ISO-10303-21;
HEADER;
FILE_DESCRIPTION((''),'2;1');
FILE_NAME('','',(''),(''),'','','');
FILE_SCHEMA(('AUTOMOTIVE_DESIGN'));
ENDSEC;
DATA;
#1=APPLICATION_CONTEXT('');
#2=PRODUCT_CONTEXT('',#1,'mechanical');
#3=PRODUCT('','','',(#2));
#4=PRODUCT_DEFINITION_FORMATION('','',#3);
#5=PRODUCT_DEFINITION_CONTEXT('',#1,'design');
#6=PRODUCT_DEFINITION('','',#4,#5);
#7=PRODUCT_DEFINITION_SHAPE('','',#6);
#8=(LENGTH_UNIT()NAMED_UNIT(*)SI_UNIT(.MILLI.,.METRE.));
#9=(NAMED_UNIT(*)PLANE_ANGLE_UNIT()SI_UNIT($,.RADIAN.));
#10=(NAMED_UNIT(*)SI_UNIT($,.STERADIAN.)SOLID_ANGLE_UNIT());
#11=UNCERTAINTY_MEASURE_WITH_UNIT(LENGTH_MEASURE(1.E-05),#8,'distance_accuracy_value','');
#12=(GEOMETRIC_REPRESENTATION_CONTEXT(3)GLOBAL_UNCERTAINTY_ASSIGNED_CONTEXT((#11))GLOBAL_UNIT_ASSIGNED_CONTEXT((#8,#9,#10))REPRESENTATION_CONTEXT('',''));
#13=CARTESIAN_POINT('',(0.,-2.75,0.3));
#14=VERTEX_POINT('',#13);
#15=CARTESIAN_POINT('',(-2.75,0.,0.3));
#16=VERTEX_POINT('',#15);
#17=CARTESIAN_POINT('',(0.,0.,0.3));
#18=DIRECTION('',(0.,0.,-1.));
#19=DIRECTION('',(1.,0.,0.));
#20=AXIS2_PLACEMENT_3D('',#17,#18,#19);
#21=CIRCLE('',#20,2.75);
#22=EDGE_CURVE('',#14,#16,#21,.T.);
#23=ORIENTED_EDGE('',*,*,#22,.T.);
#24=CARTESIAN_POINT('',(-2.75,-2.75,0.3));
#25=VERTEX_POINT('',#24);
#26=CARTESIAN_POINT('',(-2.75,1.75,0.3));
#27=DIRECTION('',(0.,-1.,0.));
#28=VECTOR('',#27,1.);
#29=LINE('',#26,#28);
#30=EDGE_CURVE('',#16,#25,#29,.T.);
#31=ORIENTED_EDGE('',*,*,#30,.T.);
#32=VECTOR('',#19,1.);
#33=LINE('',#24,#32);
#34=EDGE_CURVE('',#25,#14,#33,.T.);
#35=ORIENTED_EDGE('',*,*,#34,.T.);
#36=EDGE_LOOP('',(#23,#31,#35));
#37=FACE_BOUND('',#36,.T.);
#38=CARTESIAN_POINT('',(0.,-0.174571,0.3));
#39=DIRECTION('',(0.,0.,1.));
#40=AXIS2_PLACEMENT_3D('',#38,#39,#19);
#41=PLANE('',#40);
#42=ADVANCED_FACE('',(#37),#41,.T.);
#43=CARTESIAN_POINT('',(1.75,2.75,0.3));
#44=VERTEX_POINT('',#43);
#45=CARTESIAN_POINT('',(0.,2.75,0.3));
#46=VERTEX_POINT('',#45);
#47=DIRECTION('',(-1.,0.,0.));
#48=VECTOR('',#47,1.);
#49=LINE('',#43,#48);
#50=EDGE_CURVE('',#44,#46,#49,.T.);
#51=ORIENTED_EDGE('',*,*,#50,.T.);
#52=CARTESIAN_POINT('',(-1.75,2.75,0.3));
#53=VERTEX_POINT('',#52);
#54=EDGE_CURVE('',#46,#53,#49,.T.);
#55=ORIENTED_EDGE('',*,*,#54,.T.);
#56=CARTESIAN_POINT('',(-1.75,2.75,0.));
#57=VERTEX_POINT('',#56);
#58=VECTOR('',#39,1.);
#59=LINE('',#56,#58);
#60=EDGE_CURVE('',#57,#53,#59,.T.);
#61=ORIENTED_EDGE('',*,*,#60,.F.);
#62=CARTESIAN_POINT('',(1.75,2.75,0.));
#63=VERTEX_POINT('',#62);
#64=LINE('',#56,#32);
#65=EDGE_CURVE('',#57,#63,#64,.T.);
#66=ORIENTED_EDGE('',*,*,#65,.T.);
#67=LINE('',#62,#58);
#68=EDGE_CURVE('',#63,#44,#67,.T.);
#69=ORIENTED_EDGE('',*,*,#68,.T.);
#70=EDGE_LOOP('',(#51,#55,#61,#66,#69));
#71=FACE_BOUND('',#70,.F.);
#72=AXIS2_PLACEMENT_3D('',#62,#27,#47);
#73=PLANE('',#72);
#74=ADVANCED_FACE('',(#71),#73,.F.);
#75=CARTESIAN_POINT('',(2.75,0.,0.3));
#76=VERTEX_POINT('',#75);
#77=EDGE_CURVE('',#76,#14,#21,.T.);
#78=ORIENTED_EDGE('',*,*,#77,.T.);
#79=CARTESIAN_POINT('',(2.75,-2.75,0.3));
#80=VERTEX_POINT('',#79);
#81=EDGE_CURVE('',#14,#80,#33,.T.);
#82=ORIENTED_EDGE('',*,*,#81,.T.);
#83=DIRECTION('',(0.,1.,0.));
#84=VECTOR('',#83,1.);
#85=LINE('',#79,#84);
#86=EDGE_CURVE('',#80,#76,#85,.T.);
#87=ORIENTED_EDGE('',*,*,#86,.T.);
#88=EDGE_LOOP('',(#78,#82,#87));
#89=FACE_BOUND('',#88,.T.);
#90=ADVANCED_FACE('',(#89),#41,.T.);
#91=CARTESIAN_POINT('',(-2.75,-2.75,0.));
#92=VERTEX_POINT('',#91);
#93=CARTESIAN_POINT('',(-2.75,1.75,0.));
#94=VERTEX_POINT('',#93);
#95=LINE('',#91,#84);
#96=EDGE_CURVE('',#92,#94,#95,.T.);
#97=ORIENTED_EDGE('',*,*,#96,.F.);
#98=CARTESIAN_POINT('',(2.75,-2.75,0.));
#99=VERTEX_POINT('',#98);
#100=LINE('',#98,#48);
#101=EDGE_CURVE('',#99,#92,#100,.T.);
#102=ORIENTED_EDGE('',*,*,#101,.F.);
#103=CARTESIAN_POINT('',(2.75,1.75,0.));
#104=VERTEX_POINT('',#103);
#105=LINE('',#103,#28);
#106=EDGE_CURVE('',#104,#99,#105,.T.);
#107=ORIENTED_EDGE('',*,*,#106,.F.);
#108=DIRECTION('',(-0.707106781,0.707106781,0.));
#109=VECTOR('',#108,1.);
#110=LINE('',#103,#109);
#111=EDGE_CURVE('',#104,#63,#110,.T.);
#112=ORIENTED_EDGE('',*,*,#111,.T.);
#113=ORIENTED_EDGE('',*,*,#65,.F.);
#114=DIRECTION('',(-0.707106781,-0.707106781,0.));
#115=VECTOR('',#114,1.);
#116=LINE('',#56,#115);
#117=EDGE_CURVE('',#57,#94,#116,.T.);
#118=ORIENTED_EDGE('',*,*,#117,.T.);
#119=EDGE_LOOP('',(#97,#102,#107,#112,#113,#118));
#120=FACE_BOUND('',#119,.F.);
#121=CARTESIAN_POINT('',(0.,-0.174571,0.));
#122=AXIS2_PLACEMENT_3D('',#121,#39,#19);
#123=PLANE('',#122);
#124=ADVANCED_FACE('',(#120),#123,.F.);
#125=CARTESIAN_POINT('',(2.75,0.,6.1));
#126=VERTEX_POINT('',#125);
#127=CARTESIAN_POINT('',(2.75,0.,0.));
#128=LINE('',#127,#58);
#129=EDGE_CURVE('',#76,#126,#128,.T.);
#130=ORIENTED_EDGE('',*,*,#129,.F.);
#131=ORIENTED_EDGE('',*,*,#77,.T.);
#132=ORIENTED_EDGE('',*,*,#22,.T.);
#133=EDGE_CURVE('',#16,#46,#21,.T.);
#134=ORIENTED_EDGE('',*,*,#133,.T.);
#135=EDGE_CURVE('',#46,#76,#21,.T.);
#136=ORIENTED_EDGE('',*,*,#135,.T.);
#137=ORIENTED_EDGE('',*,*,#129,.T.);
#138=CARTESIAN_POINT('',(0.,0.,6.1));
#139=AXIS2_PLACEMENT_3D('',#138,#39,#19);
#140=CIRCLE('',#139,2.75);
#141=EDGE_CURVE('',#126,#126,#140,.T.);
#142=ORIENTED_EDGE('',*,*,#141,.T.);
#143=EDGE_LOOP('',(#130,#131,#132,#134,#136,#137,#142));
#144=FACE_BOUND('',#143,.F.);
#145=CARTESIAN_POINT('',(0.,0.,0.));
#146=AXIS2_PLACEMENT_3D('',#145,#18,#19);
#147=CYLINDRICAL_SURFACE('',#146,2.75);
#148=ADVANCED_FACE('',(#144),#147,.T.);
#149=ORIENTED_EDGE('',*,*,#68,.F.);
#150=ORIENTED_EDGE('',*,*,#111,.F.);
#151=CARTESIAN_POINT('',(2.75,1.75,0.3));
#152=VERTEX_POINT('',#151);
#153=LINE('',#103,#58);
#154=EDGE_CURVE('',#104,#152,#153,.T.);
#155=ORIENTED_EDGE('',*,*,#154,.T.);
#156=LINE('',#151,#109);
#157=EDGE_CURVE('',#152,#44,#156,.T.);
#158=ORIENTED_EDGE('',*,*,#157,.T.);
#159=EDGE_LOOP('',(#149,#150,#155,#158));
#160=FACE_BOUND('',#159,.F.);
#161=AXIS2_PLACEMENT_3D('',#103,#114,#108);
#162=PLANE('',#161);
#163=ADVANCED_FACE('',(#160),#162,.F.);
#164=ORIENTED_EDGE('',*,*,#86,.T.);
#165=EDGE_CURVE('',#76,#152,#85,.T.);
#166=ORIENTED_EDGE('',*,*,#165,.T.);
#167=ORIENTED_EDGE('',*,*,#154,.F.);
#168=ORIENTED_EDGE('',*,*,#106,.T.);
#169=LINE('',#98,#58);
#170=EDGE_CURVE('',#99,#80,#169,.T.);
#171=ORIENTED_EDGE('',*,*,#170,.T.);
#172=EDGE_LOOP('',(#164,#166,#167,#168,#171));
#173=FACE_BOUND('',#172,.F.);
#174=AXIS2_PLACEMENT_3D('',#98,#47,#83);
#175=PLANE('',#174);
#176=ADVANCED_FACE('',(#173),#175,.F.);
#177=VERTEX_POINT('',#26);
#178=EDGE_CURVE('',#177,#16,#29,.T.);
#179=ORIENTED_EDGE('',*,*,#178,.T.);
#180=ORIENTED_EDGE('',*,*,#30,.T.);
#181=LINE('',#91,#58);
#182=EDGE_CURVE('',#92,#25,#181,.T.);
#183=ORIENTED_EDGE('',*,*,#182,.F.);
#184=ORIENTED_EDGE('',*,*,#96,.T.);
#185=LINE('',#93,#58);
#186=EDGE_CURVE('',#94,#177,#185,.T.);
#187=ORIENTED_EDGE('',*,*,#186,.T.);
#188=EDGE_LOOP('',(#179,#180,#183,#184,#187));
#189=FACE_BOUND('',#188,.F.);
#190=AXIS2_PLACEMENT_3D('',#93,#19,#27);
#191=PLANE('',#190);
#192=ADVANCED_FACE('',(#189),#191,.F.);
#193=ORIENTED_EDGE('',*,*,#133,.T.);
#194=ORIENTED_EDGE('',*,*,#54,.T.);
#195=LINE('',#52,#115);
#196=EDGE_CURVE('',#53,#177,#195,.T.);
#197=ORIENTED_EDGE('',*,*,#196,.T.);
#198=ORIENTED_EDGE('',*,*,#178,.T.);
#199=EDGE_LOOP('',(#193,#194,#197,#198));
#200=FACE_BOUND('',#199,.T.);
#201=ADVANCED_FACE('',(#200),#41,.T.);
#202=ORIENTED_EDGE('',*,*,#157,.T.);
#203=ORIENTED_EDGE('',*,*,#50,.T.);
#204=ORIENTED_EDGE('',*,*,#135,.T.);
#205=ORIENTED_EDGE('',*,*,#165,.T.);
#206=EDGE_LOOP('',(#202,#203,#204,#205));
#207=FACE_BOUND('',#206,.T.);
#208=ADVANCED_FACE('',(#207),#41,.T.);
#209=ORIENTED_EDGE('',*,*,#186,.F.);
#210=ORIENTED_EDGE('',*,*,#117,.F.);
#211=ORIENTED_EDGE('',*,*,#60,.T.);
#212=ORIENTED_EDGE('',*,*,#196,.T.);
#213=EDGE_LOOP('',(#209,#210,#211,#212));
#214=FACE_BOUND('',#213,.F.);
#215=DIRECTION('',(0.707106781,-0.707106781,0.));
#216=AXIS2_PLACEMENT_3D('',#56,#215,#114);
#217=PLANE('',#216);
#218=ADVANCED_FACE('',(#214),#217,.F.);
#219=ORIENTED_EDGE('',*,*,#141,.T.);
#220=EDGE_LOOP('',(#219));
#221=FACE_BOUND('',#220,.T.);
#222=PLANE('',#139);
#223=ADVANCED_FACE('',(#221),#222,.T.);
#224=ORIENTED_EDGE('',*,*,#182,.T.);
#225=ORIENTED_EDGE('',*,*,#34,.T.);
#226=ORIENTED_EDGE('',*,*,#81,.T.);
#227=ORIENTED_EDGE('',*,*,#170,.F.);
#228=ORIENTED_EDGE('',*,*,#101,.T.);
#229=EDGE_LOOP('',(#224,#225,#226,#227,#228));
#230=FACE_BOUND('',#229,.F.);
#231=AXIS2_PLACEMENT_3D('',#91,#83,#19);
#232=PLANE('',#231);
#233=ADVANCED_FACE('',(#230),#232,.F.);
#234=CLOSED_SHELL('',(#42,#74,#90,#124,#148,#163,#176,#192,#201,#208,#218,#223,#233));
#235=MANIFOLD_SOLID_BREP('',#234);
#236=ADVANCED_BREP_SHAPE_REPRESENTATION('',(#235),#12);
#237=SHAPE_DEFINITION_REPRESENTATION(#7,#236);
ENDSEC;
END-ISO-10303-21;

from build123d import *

# Parameters (mm, degrees)
F1_DEPTH = 0.3
F2_R     = 2.75
F3_DEPTH = 6.1


with BuildPart() as f1:
    # F0 (on Top) → F1 (new body)
    with BuildSketch(Plane.XY):
        Polygon((-2.75, -2.75), (2.75, -2.75), (2.75, 1.75), (1.75, 2.75), (-1.75, 2.75), (-2.75, 1.75), align=None)
    extrude(amount=F1_DEPTH)

    # F2 (on Top) → F3 (join)
    with BuildSketch(Plane.XY):
        Circle(F2_R)
    extrude(amount=F3_DEPTH)


solid = f1.part
